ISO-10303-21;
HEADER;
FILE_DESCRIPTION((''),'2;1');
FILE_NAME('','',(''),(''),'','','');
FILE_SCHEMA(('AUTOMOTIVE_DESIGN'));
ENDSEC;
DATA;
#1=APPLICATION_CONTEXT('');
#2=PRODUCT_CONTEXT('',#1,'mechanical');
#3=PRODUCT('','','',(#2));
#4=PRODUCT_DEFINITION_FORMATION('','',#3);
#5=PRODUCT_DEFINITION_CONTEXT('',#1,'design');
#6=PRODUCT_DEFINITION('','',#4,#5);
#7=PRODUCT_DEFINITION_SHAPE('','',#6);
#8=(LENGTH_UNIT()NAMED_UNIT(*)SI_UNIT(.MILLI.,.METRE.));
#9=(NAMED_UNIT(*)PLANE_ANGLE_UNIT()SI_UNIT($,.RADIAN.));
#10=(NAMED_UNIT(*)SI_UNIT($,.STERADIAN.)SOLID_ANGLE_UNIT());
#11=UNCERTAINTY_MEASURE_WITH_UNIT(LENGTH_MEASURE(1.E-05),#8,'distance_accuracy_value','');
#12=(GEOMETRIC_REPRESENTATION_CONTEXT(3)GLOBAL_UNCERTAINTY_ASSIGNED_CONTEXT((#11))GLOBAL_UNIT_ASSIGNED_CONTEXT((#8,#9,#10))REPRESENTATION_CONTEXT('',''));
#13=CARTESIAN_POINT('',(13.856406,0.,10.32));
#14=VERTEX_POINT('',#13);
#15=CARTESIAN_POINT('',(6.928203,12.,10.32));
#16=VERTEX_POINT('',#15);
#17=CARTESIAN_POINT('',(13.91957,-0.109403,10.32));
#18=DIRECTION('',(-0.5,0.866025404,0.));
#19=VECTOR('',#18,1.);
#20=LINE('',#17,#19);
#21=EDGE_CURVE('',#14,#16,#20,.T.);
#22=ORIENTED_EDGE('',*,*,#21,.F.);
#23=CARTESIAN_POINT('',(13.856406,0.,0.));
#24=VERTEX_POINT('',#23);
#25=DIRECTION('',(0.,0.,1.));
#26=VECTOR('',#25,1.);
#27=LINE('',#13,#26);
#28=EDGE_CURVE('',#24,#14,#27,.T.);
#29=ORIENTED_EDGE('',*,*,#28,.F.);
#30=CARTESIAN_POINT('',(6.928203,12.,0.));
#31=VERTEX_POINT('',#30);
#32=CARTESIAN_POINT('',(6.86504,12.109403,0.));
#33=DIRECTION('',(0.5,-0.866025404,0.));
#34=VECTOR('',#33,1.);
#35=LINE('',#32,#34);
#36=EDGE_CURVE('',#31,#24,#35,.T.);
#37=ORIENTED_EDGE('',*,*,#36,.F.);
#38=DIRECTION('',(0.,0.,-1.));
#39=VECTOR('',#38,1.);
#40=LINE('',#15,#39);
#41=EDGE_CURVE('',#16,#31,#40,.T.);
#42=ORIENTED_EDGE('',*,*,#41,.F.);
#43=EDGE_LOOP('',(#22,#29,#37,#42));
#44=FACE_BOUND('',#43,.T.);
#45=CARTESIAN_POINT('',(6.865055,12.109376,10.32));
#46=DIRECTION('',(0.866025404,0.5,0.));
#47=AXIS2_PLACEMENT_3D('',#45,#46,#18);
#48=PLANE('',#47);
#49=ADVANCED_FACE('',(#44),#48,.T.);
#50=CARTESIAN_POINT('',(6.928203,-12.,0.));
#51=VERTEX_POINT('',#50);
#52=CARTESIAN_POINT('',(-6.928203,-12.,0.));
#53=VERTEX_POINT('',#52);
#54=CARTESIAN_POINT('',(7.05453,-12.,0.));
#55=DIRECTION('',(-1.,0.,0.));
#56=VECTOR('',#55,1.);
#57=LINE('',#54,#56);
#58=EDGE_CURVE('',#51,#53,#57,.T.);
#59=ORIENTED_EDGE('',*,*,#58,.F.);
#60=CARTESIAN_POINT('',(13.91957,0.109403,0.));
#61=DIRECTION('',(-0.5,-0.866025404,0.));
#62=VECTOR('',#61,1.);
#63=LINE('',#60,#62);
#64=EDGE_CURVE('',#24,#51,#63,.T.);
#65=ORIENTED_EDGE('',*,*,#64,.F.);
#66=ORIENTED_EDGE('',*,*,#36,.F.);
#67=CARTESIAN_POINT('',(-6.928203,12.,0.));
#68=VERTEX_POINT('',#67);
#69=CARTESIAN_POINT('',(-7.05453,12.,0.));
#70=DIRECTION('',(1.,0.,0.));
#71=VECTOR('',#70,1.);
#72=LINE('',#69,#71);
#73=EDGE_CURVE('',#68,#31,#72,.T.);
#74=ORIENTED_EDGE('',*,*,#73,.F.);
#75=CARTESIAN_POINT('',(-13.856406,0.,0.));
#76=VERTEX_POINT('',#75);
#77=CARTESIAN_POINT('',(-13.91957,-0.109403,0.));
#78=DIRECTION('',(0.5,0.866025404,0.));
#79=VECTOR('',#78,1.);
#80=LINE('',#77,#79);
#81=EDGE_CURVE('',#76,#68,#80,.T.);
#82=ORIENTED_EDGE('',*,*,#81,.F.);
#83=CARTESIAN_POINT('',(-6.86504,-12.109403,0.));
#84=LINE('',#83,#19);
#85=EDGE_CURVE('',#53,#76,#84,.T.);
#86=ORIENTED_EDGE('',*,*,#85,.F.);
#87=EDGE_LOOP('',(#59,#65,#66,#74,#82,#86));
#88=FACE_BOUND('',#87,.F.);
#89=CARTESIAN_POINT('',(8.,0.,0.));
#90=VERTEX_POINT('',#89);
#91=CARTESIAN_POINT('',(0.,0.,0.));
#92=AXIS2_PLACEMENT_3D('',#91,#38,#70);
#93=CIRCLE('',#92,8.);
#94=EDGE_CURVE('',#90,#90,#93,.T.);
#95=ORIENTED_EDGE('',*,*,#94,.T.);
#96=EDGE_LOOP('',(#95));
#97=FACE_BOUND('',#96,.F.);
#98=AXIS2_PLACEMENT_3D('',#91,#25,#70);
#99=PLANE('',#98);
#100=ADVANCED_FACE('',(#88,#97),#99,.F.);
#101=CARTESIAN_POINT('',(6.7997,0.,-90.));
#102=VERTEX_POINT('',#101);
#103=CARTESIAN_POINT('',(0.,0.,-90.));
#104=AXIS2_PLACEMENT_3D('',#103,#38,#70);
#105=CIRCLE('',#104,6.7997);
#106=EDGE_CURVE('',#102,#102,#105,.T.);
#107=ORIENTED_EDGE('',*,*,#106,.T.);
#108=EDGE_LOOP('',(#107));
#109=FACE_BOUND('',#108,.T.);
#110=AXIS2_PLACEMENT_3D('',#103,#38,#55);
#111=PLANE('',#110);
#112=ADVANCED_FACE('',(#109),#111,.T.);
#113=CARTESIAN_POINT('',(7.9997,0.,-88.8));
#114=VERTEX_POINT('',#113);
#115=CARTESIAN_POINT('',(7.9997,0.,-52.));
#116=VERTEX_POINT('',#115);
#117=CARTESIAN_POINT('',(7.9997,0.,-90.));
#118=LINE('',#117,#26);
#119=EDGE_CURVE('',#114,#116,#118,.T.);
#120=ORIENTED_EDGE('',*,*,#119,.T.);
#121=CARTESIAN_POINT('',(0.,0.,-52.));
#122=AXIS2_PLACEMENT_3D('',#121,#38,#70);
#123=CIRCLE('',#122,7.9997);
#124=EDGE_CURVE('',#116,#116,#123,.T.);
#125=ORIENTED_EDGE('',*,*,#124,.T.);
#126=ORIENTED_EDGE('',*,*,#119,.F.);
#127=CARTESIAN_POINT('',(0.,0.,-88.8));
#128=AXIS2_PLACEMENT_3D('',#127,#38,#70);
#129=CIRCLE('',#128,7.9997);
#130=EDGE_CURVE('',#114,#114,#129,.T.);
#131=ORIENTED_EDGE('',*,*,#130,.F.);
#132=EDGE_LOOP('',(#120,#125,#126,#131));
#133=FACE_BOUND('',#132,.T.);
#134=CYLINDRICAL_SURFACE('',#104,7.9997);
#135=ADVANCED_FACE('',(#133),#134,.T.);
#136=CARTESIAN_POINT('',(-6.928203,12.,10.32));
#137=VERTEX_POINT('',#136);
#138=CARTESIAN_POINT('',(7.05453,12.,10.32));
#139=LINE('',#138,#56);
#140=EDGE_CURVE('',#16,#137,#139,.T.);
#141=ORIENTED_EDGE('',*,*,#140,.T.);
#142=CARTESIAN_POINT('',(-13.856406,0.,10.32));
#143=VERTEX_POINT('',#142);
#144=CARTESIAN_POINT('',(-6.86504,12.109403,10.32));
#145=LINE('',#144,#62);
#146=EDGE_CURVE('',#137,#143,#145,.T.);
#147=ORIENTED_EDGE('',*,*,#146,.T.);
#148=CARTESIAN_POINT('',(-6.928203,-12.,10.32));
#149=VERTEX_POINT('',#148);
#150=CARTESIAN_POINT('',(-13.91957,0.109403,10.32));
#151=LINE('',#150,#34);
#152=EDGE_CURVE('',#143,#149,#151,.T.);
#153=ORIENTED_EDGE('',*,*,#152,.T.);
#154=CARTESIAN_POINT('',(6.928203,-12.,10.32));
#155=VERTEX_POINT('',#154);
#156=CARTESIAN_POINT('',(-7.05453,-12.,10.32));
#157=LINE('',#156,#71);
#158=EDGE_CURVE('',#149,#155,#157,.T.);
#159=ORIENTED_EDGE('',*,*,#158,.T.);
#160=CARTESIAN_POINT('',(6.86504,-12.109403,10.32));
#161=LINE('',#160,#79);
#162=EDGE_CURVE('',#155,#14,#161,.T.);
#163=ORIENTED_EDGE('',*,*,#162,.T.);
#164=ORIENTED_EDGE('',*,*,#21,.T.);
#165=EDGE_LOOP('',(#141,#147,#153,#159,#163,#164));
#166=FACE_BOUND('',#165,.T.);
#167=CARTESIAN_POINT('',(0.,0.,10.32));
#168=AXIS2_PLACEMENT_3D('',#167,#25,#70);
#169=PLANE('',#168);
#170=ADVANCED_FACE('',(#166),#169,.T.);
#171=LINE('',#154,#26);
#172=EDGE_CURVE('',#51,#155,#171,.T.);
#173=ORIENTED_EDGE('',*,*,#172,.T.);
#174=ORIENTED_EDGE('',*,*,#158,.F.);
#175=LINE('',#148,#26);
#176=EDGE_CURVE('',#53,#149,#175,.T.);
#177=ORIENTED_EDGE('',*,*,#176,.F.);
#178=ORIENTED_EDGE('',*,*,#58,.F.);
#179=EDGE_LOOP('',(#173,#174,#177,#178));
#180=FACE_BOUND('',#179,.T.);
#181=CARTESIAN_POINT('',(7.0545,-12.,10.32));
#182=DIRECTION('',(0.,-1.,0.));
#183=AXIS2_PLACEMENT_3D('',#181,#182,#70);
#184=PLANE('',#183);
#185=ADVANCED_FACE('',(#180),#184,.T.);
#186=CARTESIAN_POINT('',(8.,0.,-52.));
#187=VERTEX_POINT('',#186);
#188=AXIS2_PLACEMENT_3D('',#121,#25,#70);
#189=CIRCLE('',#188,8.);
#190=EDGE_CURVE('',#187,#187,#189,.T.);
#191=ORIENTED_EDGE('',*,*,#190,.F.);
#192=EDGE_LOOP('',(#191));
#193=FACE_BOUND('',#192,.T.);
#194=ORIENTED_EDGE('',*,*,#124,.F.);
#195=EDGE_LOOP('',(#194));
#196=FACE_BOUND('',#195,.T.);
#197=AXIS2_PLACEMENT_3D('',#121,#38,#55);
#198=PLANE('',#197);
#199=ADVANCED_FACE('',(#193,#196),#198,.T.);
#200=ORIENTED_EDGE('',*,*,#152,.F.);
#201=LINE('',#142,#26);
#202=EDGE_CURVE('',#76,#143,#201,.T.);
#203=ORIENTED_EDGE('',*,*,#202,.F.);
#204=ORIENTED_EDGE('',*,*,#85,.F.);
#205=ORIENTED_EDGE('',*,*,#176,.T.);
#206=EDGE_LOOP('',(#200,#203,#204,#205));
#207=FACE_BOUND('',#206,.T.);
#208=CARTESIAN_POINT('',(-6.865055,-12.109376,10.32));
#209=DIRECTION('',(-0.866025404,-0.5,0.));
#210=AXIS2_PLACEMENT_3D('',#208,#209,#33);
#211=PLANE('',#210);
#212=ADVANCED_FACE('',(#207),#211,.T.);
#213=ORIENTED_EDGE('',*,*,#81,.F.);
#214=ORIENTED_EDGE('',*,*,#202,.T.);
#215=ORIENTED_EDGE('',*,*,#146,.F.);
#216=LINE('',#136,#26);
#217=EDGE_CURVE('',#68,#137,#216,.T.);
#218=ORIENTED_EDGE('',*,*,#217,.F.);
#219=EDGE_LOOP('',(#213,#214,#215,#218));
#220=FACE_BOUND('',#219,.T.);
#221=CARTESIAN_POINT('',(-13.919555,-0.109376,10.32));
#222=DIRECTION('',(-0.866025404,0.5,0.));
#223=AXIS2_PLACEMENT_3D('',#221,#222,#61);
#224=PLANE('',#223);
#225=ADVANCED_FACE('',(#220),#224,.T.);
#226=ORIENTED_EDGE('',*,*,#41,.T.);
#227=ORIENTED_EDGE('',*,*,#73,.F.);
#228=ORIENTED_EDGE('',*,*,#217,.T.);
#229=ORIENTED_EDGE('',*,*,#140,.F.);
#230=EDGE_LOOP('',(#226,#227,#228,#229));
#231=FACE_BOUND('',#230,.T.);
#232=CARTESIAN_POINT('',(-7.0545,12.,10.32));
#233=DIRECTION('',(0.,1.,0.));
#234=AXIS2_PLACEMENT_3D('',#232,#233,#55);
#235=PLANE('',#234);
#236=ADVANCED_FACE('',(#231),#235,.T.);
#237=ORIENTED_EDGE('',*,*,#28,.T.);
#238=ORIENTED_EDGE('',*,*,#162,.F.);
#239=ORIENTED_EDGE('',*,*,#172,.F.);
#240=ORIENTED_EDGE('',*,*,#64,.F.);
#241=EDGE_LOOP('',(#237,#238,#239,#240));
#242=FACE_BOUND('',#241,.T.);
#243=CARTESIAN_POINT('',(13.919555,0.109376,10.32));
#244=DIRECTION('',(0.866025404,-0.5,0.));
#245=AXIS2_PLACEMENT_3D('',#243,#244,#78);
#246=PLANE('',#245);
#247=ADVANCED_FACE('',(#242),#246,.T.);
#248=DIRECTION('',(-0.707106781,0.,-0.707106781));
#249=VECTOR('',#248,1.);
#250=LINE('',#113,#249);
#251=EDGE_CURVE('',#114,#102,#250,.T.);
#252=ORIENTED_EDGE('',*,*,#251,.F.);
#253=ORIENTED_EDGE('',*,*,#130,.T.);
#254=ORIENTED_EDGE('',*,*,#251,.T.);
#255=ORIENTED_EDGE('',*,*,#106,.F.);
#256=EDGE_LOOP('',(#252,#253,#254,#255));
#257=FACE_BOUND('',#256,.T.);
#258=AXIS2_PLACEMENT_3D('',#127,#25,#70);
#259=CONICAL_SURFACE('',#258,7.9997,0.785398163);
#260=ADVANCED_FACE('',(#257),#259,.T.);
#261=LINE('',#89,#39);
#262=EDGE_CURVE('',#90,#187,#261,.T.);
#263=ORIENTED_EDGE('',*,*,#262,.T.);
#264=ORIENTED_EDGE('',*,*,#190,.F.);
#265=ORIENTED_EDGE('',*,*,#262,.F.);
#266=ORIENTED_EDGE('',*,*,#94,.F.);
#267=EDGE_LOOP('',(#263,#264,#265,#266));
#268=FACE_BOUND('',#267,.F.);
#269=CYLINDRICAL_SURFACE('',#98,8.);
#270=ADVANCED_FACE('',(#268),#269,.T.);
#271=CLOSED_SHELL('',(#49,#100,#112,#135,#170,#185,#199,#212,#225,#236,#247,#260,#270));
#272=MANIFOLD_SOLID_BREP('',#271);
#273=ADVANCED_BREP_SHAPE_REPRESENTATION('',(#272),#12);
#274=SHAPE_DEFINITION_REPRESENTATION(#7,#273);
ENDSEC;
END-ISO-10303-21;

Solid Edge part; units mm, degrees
sketch "Sketch1" plane through (0, 0, 0) normal (0, 0, 1) x (1, 0, 0)
  circle A0 centre (0, 0) radius 13.92
  dimension "D1" = 27.84
extrude "Protrusion1" add sketch "Sketch1" along normal blind 10.32
sketch "Sketch2" plane through (0, 0, 0) normal (0, 0, -1) x (1, 0, 0)
  circle A0 centre (0, 0) radius 8
extrude "Protrusion2" add sketch "Sketch2" along normal blind 90
sketch "Sketch3" plane through (0, 0, -90) normal (0, 0, -1) x (1, 0, 0)
  circle A0 centre (0, 0) radius 7.9997
extrude "Cutout1" cut sketch "Sketch3" against normal blind 38 flip side to cut
chamfer "Chamfer_1" distance 1.2 angle 45 1 edges at (-7.9997, 0, -90)
sketch "Sketch4" plane through (0, 0, 10.32) normal (0, 0, 1) x (1, 0, 0)
  line L0 (-7.0545, 12) -> (7.0545, 12)
  dimension "D1" = 24
extrude "Cutout2" cut sketch "Sketch4" against normal up to next material side at (0, 12.05, 10.32)
pattern_circular "Pattern1" count 6 over 360 about axis through (0, 0, 10.32) along (0, 0, 1) of "Cutout2"
properties part number "118589" material "Stainless Steel, 304"
